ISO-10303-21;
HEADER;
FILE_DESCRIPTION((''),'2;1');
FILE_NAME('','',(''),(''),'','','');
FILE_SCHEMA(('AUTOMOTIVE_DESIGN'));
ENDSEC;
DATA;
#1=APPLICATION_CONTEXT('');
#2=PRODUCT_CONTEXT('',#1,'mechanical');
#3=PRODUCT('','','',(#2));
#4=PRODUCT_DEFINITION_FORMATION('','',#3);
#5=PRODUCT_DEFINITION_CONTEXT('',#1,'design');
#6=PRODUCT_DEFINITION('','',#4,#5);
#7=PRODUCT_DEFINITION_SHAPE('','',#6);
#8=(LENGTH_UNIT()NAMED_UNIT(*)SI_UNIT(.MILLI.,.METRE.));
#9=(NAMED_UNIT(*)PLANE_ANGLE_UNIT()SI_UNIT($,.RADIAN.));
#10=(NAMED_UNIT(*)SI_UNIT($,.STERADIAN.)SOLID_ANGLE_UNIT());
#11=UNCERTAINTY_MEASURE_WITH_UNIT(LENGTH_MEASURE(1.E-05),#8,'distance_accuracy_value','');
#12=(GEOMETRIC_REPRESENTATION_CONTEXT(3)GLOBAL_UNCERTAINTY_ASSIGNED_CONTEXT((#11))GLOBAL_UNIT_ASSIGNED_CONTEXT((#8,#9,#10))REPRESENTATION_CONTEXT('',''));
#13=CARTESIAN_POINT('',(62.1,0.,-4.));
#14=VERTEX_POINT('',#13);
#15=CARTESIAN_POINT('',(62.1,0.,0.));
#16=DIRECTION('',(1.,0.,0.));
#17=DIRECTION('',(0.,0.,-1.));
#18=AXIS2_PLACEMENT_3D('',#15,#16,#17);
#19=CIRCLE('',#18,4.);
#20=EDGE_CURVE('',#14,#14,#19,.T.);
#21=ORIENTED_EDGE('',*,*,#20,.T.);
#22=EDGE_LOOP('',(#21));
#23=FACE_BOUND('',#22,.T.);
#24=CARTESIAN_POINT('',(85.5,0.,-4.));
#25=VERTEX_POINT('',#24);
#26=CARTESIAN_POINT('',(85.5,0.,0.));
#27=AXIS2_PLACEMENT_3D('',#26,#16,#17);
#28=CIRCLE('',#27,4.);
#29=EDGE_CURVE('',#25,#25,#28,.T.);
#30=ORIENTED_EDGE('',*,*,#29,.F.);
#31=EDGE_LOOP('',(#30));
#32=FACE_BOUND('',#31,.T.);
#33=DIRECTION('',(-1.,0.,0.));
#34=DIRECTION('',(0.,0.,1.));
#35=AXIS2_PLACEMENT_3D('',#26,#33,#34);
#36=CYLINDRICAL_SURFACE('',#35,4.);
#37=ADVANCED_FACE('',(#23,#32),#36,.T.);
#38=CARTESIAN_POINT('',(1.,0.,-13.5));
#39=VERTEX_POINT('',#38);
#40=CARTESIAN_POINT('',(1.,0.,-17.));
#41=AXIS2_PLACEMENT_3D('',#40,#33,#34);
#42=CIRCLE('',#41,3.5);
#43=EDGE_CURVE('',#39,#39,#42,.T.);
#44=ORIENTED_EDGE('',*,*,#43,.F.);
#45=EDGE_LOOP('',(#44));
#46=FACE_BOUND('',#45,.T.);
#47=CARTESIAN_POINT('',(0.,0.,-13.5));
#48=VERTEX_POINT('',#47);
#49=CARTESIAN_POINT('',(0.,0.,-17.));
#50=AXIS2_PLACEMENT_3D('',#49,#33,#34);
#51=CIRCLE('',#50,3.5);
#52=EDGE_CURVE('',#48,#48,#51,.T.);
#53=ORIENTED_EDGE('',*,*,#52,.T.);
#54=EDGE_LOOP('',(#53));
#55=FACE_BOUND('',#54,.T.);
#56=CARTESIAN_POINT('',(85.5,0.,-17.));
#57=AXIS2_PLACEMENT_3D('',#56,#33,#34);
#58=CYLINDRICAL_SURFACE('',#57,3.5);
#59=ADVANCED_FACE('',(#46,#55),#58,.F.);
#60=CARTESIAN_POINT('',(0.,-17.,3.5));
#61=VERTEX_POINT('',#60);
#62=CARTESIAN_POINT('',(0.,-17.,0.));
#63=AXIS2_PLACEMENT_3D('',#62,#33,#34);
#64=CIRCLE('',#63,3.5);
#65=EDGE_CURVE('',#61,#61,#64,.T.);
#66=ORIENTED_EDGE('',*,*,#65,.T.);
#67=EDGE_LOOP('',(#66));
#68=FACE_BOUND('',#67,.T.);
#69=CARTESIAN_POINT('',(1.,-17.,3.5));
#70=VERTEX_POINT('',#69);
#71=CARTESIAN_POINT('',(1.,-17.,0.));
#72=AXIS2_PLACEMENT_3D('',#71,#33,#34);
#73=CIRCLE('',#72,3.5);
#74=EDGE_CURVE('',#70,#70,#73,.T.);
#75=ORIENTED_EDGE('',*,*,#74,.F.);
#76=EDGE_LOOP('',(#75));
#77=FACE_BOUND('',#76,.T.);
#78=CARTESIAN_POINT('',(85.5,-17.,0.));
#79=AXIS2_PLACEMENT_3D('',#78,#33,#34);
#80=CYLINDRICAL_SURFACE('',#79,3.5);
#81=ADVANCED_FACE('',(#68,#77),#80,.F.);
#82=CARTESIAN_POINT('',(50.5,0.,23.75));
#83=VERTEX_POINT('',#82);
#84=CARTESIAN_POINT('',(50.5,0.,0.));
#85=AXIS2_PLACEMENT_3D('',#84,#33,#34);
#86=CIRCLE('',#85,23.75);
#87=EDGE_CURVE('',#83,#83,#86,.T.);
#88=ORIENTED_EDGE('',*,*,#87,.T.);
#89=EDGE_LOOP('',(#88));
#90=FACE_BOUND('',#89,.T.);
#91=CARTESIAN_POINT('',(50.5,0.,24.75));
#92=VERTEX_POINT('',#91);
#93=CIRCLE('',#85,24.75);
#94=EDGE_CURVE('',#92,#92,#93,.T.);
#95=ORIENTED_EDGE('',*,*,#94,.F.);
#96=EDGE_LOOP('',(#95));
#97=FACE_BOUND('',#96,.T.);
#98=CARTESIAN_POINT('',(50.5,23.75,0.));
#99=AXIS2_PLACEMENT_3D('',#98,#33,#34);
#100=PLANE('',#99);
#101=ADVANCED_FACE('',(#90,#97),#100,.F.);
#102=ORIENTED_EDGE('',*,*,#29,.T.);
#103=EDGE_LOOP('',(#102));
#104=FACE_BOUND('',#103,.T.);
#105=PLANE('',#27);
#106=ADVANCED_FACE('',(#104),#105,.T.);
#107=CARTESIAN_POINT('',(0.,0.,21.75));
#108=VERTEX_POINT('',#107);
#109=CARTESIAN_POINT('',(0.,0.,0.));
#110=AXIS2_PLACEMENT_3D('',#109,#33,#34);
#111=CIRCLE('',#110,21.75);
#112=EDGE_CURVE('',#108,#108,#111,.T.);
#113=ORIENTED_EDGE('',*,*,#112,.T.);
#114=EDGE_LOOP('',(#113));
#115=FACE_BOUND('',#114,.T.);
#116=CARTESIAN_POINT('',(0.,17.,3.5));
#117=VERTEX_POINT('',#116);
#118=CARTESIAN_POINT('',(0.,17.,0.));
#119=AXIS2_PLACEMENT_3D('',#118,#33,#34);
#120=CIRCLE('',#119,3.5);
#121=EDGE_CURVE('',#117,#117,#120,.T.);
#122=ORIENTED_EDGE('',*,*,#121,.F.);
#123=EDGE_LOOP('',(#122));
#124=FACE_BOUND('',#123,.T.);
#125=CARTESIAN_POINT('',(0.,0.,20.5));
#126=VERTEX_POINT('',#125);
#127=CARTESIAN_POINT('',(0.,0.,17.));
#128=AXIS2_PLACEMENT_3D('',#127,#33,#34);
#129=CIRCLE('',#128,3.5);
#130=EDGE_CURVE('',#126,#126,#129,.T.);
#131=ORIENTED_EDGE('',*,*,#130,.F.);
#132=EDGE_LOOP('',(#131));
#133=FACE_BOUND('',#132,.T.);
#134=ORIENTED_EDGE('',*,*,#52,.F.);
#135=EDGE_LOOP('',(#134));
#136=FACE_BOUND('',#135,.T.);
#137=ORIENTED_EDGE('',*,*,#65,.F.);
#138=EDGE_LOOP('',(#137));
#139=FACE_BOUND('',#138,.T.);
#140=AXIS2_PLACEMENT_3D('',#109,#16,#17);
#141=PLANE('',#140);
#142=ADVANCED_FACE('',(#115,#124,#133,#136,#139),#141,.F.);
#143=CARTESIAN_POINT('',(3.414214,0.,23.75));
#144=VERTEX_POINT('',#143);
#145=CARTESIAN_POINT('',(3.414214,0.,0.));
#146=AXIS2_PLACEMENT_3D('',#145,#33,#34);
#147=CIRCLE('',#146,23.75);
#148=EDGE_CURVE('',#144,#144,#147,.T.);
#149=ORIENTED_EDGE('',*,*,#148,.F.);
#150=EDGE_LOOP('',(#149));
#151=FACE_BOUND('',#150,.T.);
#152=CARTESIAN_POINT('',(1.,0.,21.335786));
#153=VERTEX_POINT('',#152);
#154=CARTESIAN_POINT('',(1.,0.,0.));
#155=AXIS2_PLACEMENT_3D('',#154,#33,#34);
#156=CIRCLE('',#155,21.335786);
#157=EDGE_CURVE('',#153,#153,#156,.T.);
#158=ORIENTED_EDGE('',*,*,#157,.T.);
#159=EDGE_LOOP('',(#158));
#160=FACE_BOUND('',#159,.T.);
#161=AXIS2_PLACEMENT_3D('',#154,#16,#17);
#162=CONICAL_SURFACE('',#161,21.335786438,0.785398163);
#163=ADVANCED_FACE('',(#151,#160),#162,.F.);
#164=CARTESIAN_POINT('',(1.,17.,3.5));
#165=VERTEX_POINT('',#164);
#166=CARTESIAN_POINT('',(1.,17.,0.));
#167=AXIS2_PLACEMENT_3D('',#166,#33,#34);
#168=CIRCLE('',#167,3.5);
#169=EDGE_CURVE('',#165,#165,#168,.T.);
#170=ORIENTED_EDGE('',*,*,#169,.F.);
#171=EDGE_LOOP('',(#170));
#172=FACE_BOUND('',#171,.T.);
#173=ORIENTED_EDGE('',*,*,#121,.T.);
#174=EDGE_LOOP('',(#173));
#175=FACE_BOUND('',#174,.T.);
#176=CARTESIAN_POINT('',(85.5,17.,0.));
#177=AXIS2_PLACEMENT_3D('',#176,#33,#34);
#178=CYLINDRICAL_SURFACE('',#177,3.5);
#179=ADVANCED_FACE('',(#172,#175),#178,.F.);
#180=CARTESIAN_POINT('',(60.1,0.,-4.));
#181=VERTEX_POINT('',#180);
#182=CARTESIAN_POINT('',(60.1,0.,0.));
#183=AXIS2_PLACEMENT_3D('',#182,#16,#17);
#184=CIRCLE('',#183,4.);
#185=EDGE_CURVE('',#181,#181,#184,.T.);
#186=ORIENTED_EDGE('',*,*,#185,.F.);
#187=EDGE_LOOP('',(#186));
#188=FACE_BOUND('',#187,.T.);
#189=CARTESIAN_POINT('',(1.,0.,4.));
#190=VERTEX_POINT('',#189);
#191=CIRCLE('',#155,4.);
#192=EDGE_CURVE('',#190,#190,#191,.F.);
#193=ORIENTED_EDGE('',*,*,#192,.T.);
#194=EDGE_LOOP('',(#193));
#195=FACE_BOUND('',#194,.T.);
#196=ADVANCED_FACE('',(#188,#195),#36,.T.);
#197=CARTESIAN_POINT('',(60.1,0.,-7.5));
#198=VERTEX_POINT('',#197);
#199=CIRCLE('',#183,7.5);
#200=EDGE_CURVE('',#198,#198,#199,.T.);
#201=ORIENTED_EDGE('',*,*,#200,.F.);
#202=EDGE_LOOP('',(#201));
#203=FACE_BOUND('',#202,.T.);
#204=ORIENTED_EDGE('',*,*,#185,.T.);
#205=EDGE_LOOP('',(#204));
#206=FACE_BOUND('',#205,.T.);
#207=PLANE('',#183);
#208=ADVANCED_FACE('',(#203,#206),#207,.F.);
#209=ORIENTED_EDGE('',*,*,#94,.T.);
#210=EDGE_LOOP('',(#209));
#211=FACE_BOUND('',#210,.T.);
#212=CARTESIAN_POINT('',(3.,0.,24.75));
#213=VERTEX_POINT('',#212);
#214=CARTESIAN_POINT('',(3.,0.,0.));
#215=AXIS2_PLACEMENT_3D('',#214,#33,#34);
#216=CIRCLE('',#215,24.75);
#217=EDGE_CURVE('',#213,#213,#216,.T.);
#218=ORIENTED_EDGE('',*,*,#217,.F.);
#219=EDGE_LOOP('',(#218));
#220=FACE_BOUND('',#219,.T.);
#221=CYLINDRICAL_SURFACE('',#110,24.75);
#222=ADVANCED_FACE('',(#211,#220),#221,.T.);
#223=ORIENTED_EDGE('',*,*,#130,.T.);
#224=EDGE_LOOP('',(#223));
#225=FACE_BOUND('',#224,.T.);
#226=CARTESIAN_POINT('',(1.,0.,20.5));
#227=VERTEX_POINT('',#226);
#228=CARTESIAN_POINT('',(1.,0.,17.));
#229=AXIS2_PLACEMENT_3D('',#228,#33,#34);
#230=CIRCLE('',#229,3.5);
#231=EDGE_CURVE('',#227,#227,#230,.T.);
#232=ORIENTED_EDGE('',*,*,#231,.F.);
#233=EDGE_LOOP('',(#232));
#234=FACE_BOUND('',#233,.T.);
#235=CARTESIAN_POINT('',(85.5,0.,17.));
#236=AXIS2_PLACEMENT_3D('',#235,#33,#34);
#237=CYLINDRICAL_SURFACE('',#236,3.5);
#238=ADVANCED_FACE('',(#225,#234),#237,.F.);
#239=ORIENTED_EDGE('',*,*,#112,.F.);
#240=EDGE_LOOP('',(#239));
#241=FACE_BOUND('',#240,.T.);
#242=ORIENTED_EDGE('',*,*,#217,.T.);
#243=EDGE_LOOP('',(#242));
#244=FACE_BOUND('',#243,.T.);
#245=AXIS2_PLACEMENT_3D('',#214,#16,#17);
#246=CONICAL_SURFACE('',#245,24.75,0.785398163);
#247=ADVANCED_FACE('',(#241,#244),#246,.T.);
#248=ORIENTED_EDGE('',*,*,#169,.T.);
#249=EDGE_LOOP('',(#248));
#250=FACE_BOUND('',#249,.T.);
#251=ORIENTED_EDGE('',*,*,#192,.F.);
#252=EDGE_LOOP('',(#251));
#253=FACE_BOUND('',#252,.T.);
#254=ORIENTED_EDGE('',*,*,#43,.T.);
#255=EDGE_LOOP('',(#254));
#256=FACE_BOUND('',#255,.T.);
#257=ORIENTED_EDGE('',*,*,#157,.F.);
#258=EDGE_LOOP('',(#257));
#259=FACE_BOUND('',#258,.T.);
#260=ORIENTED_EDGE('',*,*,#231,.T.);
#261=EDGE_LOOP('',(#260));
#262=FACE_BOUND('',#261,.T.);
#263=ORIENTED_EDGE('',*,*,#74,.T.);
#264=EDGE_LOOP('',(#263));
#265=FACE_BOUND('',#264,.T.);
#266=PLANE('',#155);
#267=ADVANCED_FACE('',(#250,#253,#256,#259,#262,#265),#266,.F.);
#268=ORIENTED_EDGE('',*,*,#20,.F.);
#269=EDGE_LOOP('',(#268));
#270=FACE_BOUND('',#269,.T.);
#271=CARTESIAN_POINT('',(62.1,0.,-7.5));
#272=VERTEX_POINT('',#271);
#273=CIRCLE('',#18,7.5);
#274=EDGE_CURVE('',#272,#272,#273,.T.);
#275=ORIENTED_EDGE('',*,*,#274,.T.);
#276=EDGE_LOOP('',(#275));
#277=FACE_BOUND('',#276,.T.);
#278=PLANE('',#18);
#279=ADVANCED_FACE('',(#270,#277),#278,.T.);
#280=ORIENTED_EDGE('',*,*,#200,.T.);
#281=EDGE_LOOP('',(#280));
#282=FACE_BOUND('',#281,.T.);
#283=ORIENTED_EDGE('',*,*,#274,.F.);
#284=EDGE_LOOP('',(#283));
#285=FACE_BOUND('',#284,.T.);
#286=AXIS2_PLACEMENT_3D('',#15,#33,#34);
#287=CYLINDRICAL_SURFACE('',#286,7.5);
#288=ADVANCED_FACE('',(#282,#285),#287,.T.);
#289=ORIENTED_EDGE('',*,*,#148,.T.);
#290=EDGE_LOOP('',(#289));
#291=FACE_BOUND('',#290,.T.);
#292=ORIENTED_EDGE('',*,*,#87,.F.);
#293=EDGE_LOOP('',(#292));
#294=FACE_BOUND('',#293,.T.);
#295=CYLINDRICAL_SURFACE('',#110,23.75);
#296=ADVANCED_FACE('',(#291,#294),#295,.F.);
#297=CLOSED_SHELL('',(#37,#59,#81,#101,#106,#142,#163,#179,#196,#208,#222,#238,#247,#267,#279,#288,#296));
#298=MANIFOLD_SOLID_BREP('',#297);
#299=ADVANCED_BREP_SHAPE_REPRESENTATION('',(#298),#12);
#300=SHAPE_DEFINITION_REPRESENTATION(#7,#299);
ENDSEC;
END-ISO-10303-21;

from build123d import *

# Parameters (mm, degrees)
SKETCH2_R           = 4
BOSS_EXTRUDE1_DEPTH = 85.5
SKETCH3_R           = 3.5
CUT_EXTRUDE1_DEPTH  = 93.387093254
SKETCH4_R           = 7.5
BOSS_EXTRUDE2_DEPTH = 2


with BuildPart() as part:
    # Sketch1 → Revolve1 (revolve)
    with BuildSketch(Plane.XY, mode=Mode.PRIVATE) as revolve1_sk:
        Polygon((0, 21.75), (3, 24.75), (50.5, 24.75), (50.5, 23.75), (3.414213562, 23.75), (1, 21.335786438), (1, 0), (0, 0), align=None)
    revolve(revolve1_sk.sketch.rotate(Axis((0, 0, 0), (1, 0, 0)), 90), axis=Axis((0, 0, 0), (1, 0, 0)))

    # Sketch2 → Boss-Extrude1 (add)
    with BuildSketch(Plane(origin=(0, 0, 0), x_dir=(0, 0, -1), z_dir=(1, 0, 0))):
        with Locations(Location((0, 0, 0), (0, 0, 180))):
            Circle(SKETCH2_R)
    extrude(amount=BOSS_EXTRUDE1_DEPTH)

    # Sketch3 → Cut-Extrude1 (cut, through all)
    with BuildSketch(Plane.ZY):
        with Locations((0, 17)):
            Circle(SKETCH3_R)
        with Locations((17, 0)):
            Circle(SKETCH3_R)
        with Locations((0, -17)):
            Circle(SKETCH3_R)
        with Locations((-17, 0)):
            Circle(SKETCH3_R)
    extrude(amount=-CUT_EXTRUDE1_DEPTH, mode=Mode.SUBTRACT)

    # Sketch4 → Boss-Extrude2 (add)
    with BuildSketch(Plane(origin=(60.1, 0, 0), x_dir=(0, 0, -1), z_dir=(1, 0, 0))):
        Circle(SKETCH4_R)
    extrude(amount=BOSS_EXTRUDE2_DEPTH)


solid = part.part
